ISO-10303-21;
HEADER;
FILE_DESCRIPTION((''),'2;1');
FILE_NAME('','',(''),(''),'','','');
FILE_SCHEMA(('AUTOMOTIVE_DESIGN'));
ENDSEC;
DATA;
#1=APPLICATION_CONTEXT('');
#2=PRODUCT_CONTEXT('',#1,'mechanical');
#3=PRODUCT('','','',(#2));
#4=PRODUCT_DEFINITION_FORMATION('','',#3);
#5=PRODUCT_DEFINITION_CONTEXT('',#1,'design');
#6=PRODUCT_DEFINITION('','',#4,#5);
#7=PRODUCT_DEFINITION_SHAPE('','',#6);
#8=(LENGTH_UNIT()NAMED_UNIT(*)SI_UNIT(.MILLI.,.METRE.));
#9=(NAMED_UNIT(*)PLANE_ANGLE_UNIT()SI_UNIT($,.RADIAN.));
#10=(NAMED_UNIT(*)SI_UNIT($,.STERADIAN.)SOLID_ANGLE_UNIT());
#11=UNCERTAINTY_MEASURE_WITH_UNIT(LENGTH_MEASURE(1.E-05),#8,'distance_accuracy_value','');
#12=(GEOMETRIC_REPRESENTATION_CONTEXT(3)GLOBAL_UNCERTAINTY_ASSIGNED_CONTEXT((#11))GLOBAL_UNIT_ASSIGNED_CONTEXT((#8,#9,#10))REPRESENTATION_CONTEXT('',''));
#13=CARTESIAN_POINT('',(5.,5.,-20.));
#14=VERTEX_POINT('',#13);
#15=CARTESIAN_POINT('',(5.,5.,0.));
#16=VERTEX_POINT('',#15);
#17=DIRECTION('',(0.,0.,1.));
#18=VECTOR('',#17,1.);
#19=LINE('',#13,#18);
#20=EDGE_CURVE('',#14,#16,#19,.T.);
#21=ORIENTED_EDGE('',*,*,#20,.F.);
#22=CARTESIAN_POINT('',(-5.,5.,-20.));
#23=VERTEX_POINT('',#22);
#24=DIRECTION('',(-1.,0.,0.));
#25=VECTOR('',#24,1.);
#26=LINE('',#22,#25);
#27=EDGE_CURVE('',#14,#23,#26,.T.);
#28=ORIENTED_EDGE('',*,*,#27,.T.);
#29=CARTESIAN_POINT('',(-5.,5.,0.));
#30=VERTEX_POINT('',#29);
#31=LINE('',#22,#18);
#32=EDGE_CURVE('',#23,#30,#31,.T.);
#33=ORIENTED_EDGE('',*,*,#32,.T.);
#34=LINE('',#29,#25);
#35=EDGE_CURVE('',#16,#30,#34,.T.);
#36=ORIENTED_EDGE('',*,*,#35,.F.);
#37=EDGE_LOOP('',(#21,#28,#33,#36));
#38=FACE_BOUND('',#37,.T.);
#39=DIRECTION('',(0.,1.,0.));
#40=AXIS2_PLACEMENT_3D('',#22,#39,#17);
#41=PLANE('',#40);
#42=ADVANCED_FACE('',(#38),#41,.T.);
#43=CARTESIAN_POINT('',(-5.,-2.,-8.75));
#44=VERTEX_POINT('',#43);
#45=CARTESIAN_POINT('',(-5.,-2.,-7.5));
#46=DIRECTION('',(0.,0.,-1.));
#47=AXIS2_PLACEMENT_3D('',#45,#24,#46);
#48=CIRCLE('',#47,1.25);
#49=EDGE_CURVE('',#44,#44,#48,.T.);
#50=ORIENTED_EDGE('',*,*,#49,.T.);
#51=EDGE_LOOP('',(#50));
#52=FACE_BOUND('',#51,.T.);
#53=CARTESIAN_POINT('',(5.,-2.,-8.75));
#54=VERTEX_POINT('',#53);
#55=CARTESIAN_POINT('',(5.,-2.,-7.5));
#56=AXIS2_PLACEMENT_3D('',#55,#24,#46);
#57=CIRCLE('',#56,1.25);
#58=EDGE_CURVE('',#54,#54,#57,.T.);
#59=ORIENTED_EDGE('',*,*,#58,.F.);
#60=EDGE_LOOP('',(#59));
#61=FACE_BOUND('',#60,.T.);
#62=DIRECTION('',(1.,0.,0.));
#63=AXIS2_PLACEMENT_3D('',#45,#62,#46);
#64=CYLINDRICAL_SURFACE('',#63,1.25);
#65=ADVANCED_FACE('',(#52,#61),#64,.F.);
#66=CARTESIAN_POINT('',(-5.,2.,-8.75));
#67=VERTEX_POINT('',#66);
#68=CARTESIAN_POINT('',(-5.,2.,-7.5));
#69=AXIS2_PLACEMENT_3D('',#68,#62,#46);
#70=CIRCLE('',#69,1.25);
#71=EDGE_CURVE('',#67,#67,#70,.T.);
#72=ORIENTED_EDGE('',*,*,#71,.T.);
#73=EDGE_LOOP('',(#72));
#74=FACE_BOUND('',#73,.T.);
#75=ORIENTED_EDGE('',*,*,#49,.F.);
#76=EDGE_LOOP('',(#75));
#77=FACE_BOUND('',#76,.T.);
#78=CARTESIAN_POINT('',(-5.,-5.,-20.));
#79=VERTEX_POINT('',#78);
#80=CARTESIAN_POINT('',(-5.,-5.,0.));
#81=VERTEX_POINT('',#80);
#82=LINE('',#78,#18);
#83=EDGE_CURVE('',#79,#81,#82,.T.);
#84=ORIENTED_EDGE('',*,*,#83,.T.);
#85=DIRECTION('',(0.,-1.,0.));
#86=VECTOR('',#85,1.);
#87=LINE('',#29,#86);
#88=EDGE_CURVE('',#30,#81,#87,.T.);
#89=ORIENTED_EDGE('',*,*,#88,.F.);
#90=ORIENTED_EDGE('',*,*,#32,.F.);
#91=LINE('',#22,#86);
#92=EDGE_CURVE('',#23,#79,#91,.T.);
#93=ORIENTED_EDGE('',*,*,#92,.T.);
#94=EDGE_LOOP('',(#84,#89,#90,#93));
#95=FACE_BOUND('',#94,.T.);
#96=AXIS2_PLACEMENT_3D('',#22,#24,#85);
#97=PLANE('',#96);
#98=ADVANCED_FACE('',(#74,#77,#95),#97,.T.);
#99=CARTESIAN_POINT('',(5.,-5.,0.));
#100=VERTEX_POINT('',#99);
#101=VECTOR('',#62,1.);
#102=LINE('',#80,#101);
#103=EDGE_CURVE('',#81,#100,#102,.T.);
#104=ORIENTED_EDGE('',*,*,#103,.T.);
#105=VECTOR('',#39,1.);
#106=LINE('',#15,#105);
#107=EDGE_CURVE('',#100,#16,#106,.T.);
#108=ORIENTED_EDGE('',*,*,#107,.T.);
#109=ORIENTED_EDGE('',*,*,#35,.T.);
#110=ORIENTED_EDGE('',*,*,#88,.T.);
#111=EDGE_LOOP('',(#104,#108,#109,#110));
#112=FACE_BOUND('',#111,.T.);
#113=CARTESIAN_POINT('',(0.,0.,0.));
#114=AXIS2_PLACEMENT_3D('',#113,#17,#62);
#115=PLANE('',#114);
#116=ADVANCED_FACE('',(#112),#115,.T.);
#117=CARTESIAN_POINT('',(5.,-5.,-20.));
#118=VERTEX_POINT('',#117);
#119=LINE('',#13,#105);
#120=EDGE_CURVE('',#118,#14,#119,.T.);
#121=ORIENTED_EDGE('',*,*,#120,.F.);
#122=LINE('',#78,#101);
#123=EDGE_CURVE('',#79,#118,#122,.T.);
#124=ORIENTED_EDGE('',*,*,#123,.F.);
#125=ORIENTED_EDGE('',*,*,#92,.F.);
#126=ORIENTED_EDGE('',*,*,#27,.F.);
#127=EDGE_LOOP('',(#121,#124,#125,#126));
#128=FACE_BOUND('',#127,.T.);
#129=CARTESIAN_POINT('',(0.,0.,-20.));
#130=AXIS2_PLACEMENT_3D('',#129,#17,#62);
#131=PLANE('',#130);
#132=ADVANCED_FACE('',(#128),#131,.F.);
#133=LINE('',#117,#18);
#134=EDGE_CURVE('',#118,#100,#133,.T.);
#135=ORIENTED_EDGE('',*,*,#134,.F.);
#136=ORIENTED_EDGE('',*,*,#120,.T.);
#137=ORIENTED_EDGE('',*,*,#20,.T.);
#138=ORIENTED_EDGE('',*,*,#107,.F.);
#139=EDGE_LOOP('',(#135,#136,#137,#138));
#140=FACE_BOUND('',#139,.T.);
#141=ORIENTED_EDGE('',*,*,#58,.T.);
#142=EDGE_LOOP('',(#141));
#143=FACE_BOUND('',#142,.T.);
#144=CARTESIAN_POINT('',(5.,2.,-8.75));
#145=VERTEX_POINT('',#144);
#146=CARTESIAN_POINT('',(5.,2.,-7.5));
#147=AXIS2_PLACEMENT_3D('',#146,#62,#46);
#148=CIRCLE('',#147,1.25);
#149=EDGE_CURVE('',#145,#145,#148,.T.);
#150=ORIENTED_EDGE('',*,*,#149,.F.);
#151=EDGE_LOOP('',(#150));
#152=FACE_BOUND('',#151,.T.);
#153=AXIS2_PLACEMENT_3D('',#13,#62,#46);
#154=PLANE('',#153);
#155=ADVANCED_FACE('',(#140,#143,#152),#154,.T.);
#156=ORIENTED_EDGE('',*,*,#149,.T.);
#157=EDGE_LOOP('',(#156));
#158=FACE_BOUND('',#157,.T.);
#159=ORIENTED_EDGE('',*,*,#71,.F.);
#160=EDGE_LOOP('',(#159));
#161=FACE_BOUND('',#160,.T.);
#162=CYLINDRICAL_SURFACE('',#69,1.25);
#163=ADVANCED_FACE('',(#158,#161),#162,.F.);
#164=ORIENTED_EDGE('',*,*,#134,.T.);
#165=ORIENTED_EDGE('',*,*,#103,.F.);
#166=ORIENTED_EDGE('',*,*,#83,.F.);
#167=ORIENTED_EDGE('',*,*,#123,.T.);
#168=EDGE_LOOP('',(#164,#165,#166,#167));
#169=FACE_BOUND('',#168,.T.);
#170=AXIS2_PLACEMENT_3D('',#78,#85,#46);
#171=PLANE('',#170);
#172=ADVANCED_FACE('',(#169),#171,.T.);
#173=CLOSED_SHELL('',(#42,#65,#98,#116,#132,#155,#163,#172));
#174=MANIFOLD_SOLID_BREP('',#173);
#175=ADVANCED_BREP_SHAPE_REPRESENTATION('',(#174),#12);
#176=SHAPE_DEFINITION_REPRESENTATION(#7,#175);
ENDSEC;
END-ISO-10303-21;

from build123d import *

# Parameters (mm, degrees)
SKETCH1_W           = 10
SKETCH1_H           = 10
BOSS_EXTRUDE1_DEPTH = 20
SKETCH3_R           = 1.25
CUT_EXTRUDE6_DEPTH  = 10


with BuildPart() as part:
    # Sketch1 → Boss-Extrude1 (new body)
    with BuildSketch(Plane.XY):
        Rectangle(SKETCH1_W, SKETCH1_H)
    extrude(amount=-BOSS_EXTRUDE1_DEPTH)

    # Sketch3 → Cut-Extrude6 (cut)
    with BuildSketch(Plane(origin=(5, 0, 0), x_dir=(0, 0, -1), z_dir=(1, 0, 0))):
        with Locations((7.5, 2)):
            Circle(SKETCH3_R)
    cut_extrude6 = extrude(amount=-CUT_EXTRUDE6_DEPTH, mode=Mode.SUBTRACT)

    # Mirror1: Cut-Extrude6 across plane
    add(cut_extrude6.mirror(Plane.ZX), mode=Mode.SUBTRACT)


solid = part.part
